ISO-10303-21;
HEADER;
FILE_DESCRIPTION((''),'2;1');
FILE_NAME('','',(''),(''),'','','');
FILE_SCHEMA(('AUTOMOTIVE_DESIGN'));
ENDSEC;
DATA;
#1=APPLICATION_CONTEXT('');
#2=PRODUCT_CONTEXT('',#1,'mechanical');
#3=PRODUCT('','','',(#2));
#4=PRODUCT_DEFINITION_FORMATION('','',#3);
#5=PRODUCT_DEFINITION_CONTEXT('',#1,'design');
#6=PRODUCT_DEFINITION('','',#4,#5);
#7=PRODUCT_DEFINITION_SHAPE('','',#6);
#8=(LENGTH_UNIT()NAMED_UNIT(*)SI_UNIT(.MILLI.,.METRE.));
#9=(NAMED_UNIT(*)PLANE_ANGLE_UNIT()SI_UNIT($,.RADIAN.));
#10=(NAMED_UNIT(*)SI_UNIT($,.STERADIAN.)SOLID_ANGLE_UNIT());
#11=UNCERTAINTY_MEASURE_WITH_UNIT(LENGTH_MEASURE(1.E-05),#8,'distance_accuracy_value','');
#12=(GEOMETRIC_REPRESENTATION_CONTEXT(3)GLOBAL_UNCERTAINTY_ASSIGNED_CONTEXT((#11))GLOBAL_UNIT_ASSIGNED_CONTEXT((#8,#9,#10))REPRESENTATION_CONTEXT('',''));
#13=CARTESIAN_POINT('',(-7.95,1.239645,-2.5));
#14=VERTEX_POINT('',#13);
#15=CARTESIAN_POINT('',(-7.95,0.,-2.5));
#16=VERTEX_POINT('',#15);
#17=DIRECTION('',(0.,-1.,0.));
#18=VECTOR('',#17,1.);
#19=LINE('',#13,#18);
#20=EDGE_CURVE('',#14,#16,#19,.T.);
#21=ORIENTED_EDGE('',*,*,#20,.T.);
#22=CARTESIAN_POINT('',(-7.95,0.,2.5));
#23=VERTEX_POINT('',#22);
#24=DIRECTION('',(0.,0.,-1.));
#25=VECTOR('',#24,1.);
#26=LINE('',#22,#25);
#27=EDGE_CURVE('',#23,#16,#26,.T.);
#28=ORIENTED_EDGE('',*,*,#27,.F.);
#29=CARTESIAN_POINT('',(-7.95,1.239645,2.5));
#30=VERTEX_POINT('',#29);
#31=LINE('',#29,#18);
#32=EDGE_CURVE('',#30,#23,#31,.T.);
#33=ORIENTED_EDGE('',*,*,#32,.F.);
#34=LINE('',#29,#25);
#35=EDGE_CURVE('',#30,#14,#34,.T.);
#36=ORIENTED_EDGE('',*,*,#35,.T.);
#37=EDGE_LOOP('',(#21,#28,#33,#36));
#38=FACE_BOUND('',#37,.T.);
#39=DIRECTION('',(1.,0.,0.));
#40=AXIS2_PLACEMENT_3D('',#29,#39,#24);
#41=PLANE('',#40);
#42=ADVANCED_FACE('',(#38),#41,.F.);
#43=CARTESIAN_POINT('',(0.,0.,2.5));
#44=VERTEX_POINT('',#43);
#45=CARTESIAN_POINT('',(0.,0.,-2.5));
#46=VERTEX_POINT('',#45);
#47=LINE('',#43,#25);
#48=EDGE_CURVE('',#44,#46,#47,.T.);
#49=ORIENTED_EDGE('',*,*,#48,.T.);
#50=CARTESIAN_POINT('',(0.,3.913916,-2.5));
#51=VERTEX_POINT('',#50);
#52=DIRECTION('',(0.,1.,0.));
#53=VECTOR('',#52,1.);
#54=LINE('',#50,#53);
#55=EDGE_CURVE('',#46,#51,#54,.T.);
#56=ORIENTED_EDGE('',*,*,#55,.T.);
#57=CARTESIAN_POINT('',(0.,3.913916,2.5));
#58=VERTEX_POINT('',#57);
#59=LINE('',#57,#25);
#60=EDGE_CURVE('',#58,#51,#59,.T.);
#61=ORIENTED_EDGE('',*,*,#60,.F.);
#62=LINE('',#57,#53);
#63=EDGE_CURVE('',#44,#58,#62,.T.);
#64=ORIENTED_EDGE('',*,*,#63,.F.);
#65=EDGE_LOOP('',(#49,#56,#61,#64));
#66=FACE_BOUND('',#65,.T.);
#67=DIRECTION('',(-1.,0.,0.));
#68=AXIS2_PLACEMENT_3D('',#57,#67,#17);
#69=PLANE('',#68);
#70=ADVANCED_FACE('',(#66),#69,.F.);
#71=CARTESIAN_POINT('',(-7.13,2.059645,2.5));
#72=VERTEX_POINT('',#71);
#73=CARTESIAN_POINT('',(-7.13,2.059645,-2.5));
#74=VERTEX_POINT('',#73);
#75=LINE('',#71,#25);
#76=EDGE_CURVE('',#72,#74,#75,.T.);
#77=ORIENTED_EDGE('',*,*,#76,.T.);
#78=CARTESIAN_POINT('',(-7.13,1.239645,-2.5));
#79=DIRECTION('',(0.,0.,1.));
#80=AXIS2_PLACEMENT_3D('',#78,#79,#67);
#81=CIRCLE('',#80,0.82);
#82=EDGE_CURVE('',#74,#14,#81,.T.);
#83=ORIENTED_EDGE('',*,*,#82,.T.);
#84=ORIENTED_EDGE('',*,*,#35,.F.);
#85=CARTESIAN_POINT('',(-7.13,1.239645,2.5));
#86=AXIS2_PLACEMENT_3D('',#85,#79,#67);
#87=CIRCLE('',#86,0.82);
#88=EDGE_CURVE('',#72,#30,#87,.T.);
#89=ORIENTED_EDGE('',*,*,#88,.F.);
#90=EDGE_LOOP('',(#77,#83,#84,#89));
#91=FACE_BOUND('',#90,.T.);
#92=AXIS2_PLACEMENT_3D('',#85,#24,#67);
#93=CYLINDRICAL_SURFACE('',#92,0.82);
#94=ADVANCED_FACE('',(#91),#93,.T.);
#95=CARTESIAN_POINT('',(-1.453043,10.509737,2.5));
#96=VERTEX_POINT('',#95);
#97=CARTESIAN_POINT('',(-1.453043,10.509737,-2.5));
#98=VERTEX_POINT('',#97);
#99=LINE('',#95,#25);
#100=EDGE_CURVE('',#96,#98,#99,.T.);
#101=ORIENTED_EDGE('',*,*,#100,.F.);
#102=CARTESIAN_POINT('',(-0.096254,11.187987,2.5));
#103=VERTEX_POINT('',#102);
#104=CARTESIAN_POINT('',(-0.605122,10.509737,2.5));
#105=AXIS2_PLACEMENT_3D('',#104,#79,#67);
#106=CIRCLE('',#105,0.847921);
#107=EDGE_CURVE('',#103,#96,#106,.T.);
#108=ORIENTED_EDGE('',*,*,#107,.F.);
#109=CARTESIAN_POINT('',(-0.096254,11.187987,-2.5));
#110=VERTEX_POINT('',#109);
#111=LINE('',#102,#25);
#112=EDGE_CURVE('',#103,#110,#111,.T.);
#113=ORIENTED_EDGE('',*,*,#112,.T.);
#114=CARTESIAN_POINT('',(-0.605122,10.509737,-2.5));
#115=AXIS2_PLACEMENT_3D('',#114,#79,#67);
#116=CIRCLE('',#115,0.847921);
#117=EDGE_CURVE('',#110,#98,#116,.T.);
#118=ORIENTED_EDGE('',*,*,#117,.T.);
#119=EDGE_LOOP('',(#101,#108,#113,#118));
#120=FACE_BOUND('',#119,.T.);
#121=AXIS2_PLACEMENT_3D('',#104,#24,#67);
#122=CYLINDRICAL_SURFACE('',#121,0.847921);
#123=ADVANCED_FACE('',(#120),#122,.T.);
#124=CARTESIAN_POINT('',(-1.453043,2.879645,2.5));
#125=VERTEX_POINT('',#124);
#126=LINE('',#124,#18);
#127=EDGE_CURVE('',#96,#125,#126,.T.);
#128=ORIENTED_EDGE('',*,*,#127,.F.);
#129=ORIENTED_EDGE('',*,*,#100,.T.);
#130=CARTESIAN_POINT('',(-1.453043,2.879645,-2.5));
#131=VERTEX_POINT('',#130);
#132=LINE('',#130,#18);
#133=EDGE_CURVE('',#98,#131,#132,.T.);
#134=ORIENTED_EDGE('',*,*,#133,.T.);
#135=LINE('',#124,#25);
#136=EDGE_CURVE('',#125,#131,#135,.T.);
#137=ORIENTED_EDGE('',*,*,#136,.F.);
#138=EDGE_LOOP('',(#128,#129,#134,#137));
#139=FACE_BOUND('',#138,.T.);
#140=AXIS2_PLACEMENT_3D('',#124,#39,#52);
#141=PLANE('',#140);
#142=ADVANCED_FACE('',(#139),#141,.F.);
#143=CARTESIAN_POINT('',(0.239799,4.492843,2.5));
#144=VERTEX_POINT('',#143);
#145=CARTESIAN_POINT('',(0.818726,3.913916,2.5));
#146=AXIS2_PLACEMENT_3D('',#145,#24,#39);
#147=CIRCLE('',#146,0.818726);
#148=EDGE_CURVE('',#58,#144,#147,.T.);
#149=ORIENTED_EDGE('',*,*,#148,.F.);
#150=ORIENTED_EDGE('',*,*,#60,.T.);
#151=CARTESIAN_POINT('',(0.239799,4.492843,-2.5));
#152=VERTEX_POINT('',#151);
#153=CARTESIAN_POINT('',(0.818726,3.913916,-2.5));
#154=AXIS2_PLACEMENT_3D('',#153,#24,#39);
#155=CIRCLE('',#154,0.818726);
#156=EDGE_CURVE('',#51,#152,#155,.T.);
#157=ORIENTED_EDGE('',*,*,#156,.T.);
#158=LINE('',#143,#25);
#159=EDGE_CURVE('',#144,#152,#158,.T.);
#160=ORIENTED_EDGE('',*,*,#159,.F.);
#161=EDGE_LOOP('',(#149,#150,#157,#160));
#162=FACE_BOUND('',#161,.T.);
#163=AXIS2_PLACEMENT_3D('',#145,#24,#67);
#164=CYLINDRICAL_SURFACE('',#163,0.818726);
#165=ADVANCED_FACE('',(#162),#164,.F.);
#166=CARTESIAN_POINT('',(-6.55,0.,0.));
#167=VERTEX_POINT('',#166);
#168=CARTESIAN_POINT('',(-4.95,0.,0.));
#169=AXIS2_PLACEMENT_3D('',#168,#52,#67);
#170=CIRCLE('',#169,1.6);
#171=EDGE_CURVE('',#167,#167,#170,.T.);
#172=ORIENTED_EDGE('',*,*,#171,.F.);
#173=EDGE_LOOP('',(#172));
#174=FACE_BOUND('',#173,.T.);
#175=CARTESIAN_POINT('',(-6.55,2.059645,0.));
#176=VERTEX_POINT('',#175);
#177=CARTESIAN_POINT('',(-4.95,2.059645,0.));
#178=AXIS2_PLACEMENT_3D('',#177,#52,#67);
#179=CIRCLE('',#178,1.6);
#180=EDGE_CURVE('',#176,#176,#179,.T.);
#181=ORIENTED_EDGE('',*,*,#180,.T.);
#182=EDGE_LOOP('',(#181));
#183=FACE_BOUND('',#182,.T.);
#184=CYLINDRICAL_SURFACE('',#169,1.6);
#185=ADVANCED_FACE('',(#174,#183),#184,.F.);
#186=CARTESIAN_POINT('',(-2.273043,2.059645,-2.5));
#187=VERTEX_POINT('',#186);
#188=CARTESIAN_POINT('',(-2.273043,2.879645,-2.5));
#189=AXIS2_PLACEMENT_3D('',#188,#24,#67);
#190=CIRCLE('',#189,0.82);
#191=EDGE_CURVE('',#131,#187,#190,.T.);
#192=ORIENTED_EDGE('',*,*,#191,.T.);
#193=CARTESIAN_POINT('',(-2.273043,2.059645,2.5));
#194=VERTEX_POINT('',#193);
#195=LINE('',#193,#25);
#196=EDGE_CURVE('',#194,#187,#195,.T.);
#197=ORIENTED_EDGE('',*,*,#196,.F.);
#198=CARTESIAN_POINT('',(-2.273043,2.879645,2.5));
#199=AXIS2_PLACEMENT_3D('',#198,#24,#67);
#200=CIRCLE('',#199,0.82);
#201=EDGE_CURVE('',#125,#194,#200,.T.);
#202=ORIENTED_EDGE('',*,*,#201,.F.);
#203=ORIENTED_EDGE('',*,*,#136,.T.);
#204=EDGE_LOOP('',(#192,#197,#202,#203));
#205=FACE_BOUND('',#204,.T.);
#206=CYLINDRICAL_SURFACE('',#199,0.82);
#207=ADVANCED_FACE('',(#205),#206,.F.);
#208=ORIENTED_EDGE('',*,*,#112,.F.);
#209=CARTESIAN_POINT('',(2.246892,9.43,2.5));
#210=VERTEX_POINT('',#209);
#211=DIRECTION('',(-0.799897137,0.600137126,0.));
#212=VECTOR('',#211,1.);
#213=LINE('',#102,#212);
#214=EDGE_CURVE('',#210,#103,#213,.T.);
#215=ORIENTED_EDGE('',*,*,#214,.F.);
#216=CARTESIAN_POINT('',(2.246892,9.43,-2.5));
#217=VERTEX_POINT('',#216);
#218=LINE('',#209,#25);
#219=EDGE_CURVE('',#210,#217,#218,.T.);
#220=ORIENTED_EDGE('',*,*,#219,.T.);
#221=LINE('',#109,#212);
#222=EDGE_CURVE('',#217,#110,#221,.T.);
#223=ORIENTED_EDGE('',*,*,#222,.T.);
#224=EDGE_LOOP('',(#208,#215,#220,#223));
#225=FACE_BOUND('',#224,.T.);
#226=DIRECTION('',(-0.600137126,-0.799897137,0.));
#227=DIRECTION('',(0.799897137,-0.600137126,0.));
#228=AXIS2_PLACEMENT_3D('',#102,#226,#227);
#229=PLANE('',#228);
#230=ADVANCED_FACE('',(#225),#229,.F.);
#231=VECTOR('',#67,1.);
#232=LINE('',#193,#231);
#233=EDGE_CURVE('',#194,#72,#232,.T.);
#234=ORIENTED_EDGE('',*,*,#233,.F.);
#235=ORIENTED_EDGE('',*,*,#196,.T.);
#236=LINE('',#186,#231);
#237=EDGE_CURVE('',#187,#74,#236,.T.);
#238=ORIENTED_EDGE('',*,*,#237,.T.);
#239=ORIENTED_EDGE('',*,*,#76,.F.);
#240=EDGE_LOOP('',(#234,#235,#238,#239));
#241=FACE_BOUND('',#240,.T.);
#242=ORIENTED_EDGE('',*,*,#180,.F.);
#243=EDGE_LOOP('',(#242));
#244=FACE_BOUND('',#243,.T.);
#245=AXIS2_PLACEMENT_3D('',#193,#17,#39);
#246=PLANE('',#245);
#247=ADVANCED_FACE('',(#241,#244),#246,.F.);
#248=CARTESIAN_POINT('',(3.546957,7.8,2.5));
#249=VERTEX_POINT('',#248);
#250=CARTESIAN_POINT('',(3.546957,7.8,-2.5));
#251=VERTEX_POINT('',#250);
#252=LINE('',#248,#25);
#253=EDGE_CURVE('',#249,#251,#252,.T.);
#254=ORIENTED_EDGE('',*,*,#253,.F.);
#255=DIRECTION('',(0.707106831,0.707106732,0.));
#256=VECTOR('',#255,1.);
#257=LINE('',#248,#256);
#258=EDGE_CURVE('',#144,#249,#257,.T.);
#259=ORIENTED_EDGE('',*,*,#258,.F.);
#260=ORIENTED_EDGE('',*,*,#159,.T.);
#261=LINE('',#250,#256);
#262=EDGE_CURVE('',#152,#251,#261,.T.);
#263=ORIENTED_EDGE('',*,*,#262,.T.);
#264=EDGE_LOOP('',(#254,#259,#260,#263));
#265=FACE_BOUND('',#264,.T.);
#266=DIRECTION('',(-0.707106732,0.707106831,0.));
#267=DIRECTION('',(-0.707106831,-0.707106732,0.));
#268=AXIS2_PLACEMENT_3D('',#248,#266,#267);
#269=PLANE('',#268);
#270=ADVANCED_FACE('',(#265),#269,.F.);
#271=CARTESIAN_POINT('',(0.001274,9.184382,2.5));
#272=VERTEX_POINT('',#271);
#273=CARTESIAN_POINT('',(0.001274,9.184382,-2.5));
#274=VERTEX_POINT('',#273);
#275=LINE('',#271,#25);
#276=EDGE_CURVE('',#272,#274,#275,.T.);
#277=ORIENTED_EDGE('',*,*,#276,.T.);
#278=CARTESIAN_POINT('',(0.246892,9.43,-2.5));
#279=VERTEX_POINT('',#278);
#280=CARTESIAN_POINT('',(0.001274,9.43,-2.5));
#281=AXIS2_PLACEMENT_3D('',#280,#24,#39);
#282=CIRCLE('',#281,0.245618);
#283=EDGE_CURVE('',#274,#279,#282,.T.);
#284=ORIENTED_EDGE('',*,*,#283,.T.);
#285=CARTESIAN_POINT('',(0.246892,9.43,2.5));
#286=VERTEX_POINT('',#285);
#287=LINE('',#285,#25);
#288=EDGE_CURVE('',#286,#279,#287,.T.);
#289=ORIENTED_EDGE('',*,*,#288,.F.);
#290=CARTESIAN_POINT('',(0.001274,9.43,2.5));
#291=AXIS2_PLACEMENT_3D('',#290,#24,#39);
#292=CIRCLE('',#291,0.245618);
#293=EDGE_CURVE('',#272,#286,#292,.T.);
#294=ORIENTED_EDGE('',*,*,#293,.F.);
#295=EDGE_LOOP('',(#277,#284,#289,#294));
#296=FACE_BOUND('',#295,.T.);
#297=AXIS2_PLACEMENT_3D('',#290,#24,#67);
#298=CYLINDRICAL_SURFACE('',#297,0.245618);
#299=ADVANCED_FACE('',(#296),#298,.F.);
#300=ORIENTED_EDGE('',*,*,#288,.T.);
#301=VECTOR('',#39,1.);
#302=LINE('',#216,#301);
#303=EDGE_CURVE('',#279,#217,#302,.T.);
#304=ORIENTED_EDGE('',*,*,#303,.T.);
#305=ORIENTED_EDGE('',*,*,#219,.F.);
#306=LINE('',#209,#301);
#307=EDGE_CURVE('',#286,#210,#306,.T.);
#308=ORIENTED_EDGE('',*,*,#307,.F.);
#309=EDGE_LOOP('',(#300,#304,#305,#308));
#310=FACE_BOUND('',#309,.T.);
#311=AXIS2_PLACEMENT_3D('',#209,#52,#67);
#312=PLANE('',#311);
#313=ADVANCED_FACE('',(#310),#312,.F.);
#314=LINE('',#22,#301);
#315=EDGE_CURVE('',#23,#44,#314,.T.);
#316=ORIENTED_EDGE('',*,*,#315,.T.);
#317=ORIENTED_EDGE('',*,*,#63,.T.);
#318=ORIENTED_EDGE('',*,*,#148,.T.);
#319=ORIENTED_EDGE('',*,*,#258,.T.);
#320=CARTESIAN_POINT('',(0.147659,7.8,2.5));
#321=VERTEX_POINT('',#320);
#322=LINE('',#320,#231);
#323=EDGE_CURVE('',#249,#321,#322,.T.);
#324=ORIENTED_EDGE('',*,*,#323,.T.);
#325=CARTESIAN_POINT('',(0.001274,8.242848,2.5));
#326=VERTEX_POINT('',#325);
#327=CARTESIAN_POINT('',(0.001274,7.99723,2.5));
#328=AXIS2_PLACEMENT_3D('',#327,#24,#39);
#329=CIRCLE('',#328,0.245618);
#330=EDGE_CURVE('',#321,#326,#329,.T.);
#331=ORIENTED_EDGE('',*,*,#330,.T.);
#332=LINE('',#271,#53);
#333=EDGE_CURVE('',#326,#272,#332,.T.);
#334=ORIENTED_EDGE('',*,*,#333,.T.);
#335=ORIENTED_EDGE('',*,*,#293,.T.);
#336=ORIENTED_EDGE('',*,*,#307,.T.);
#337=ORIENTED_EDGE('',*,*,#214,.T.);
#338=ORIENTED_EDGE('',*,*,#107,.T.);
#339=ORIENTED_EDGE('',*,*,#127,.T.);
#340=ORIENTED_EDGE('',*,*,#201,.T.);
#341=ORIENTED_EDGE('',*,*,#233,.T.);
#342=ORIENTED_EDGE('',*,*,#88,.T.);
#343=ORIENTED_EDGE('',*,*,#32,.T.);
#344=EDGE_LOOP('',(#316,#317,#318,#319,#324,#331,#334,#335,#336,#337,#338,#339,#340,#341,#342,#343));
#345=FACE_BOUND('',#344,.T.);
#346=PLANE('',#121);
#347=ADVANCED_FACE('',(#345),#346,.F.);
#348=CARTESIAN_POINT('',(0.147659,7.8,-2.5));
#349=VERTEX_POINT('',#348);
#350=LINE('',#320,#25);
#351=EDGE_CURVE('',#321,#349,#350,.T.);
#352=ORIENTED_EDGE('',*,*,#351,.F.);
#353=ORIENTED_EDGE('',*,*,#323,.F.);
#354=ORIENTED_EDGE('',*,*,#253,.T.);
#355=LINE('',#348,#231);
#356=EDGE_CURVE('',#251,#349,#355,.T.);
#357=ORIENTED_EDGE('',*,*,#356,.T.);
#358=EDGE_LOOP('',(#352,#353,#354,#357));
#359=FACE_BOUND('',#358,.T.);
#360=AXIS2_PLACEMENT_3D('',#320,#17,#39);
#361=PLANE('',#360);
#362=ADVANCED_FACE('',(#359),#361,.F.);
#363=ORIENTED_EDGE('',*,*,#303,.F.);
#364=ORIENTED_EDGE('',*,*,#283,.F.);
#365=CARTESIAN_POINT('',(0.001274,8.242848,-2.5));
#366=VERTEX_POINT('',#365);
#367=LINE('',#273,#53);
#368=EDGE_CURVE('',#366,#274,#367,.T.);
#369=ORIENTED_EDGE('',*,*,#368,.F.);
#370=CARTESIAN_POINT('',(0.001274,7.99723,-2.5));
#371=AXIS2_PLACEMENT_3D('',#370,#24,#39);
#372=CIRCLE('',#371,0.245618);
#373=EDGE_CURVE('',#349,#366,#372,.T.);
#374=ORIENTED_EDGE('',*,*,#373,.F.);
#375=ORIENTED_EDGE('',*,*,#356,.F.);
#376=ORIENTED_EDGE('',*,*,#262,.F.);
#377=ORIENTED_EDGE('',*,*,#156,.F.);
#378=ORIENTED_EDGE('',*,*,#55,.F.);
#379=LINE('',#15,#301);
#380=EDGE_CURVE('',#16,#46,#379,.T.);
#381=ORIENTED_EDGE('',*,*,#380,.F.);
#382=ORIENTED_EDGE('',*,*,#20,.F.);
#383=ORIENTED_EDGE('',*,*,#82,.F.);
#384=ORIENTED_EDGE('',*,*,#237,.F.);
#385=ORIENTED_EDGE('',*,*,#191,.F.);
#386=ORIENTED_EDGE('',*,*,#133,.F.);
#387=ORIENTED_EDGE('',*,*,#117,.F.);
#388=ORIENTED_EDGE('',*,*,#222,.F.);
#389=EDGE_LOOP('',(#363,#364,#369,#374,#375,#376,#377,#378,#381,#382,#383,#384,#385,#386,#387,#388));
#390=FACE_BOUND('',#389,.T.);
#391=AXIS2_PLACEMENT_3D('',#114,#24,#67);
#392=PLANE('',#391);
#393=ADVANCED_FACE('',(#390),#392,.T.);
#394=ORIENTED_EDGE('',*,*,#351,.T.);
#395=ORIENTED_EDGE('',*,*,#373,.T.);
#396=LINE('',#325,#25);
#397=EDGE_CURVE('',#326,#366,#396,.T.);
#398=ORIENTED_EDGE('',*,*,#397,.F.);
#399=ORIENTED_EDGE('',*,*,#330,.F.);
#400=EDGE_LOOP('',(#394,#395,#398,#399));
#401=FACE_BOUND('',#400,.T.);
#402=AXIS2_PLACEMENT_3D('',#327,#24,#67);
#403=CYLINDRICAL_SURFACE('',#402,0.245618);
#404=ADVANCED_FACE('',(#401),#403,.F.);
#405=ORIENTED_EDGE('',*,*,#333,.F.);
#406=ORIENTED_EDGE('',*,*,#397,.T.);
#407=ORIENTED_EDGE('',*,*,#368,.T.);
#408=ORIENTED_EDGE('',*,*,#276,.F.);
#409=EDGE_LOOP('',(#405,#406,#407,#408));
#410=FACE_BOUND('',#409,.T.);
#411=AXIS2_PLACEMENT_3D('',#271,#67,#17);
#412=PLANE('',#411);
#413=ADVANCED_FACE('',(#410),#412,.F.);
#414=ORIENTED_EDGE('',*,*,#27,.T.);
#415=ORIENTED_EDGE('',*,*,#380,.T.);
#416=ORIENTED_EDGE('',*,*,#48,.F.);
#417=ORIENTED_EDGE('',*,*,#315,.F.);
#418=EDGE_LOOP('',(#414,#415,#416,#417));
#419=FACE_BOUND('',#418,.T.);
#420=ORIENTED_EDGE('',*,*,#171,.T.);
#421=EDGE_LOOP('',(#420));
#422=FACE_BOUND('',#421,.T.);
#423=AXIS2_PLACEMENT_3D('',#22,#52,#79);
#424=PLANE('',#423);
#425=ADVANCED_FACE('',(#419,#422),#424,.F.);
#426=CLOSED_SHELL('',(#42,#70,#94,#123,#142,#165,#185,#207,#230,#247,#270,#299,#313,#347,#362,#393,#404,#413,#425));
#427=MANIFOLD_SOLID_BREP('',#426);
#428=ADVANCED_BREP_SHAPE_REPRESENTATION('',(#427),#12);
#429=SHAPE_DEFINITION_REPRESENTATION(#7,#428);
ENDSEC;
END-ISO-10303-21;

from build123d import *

# Parameters (mm, degrees)
BOSS_EXTRUDE1_DEPTH = 2.5
SKETCH4_R           = 1.6
CUT_EXTRUDE1_DEPTH  = 13.486214373


with BuildPart() as part:
    # Sketch3 → Boss-Extrude1 (new, symmetric)
    with BuildSketch(Plane.XY):
        with BuildLine():
            Line((-1.45304318, 2.879645015), (-1.45304318, 10.509737409))
            ThreePointArc((-1.45304318, 10.509737409), (-0.984259086, 11.268173328), (-0.096253627, 11.18798683))
            Line((-0.096253627, 11.18798683), (2.246891916, 9.43))
            Line((2.246891916, 9.43), (0.246891916, 9.43))
            ThreePointArc((0.246891916, 9.43), (-0.172404049, 9.603678075), (0.001274026, 9.18438211))
            Line((0.001274026, 9.18438211), (0.001274026, 8.242847777))
            ThreePointArc((0.001274026, 8.242847777), (-0.231933324, 7.920142408), (0.147658859, 7.8))
            Line((0.147658859, 7.8), (3.54695682, 7.8))
            Line((3.54695682, 7.8), (0.23979919, 4.492842832))
            ThreePointArc((0.23979919, 4.492842832), (0.062321779, 4.227229147), (0, 3.913916433))
            Line((0, 3.913916433), (0, 0))
            Line((0, 0), (-7.95, 0))
            Line((-7.95, 0), (-7.95, 1.239645015))
            ThreePointArc((-7.95, 1.239645015), (-7.709827561, 1.819472575), (-7.13, 2.059645015))
            Line((-7.13, 2.059645015), (-2.27304318, 2.059645015))
            ThreePointArc((-2.27304318, 2.059645015), (-1.69321562, 2.299817454), (-1.45304318, 2.879645015))
        make_face()
    extrude(amount=BOSS_EXTRUDE1_DEPTH, both=True)

    # Sketch4 → Cut-Extrude1 (cut, through all)
    with BuildSketch(Plane(origin=(0, 2.059645015, 0), x_dir=(1, 0, 0), z_dir=(0, 1, 0))):
        with Locations(Location((-4.95, 0, 0), (0, 0, 180))):
            Circle(SKETCH4_R)
    extrude(amount=-CUT_EXTRUDE1_DEPTH, mode=Mode.SUBTRACT)


solid = part.part
